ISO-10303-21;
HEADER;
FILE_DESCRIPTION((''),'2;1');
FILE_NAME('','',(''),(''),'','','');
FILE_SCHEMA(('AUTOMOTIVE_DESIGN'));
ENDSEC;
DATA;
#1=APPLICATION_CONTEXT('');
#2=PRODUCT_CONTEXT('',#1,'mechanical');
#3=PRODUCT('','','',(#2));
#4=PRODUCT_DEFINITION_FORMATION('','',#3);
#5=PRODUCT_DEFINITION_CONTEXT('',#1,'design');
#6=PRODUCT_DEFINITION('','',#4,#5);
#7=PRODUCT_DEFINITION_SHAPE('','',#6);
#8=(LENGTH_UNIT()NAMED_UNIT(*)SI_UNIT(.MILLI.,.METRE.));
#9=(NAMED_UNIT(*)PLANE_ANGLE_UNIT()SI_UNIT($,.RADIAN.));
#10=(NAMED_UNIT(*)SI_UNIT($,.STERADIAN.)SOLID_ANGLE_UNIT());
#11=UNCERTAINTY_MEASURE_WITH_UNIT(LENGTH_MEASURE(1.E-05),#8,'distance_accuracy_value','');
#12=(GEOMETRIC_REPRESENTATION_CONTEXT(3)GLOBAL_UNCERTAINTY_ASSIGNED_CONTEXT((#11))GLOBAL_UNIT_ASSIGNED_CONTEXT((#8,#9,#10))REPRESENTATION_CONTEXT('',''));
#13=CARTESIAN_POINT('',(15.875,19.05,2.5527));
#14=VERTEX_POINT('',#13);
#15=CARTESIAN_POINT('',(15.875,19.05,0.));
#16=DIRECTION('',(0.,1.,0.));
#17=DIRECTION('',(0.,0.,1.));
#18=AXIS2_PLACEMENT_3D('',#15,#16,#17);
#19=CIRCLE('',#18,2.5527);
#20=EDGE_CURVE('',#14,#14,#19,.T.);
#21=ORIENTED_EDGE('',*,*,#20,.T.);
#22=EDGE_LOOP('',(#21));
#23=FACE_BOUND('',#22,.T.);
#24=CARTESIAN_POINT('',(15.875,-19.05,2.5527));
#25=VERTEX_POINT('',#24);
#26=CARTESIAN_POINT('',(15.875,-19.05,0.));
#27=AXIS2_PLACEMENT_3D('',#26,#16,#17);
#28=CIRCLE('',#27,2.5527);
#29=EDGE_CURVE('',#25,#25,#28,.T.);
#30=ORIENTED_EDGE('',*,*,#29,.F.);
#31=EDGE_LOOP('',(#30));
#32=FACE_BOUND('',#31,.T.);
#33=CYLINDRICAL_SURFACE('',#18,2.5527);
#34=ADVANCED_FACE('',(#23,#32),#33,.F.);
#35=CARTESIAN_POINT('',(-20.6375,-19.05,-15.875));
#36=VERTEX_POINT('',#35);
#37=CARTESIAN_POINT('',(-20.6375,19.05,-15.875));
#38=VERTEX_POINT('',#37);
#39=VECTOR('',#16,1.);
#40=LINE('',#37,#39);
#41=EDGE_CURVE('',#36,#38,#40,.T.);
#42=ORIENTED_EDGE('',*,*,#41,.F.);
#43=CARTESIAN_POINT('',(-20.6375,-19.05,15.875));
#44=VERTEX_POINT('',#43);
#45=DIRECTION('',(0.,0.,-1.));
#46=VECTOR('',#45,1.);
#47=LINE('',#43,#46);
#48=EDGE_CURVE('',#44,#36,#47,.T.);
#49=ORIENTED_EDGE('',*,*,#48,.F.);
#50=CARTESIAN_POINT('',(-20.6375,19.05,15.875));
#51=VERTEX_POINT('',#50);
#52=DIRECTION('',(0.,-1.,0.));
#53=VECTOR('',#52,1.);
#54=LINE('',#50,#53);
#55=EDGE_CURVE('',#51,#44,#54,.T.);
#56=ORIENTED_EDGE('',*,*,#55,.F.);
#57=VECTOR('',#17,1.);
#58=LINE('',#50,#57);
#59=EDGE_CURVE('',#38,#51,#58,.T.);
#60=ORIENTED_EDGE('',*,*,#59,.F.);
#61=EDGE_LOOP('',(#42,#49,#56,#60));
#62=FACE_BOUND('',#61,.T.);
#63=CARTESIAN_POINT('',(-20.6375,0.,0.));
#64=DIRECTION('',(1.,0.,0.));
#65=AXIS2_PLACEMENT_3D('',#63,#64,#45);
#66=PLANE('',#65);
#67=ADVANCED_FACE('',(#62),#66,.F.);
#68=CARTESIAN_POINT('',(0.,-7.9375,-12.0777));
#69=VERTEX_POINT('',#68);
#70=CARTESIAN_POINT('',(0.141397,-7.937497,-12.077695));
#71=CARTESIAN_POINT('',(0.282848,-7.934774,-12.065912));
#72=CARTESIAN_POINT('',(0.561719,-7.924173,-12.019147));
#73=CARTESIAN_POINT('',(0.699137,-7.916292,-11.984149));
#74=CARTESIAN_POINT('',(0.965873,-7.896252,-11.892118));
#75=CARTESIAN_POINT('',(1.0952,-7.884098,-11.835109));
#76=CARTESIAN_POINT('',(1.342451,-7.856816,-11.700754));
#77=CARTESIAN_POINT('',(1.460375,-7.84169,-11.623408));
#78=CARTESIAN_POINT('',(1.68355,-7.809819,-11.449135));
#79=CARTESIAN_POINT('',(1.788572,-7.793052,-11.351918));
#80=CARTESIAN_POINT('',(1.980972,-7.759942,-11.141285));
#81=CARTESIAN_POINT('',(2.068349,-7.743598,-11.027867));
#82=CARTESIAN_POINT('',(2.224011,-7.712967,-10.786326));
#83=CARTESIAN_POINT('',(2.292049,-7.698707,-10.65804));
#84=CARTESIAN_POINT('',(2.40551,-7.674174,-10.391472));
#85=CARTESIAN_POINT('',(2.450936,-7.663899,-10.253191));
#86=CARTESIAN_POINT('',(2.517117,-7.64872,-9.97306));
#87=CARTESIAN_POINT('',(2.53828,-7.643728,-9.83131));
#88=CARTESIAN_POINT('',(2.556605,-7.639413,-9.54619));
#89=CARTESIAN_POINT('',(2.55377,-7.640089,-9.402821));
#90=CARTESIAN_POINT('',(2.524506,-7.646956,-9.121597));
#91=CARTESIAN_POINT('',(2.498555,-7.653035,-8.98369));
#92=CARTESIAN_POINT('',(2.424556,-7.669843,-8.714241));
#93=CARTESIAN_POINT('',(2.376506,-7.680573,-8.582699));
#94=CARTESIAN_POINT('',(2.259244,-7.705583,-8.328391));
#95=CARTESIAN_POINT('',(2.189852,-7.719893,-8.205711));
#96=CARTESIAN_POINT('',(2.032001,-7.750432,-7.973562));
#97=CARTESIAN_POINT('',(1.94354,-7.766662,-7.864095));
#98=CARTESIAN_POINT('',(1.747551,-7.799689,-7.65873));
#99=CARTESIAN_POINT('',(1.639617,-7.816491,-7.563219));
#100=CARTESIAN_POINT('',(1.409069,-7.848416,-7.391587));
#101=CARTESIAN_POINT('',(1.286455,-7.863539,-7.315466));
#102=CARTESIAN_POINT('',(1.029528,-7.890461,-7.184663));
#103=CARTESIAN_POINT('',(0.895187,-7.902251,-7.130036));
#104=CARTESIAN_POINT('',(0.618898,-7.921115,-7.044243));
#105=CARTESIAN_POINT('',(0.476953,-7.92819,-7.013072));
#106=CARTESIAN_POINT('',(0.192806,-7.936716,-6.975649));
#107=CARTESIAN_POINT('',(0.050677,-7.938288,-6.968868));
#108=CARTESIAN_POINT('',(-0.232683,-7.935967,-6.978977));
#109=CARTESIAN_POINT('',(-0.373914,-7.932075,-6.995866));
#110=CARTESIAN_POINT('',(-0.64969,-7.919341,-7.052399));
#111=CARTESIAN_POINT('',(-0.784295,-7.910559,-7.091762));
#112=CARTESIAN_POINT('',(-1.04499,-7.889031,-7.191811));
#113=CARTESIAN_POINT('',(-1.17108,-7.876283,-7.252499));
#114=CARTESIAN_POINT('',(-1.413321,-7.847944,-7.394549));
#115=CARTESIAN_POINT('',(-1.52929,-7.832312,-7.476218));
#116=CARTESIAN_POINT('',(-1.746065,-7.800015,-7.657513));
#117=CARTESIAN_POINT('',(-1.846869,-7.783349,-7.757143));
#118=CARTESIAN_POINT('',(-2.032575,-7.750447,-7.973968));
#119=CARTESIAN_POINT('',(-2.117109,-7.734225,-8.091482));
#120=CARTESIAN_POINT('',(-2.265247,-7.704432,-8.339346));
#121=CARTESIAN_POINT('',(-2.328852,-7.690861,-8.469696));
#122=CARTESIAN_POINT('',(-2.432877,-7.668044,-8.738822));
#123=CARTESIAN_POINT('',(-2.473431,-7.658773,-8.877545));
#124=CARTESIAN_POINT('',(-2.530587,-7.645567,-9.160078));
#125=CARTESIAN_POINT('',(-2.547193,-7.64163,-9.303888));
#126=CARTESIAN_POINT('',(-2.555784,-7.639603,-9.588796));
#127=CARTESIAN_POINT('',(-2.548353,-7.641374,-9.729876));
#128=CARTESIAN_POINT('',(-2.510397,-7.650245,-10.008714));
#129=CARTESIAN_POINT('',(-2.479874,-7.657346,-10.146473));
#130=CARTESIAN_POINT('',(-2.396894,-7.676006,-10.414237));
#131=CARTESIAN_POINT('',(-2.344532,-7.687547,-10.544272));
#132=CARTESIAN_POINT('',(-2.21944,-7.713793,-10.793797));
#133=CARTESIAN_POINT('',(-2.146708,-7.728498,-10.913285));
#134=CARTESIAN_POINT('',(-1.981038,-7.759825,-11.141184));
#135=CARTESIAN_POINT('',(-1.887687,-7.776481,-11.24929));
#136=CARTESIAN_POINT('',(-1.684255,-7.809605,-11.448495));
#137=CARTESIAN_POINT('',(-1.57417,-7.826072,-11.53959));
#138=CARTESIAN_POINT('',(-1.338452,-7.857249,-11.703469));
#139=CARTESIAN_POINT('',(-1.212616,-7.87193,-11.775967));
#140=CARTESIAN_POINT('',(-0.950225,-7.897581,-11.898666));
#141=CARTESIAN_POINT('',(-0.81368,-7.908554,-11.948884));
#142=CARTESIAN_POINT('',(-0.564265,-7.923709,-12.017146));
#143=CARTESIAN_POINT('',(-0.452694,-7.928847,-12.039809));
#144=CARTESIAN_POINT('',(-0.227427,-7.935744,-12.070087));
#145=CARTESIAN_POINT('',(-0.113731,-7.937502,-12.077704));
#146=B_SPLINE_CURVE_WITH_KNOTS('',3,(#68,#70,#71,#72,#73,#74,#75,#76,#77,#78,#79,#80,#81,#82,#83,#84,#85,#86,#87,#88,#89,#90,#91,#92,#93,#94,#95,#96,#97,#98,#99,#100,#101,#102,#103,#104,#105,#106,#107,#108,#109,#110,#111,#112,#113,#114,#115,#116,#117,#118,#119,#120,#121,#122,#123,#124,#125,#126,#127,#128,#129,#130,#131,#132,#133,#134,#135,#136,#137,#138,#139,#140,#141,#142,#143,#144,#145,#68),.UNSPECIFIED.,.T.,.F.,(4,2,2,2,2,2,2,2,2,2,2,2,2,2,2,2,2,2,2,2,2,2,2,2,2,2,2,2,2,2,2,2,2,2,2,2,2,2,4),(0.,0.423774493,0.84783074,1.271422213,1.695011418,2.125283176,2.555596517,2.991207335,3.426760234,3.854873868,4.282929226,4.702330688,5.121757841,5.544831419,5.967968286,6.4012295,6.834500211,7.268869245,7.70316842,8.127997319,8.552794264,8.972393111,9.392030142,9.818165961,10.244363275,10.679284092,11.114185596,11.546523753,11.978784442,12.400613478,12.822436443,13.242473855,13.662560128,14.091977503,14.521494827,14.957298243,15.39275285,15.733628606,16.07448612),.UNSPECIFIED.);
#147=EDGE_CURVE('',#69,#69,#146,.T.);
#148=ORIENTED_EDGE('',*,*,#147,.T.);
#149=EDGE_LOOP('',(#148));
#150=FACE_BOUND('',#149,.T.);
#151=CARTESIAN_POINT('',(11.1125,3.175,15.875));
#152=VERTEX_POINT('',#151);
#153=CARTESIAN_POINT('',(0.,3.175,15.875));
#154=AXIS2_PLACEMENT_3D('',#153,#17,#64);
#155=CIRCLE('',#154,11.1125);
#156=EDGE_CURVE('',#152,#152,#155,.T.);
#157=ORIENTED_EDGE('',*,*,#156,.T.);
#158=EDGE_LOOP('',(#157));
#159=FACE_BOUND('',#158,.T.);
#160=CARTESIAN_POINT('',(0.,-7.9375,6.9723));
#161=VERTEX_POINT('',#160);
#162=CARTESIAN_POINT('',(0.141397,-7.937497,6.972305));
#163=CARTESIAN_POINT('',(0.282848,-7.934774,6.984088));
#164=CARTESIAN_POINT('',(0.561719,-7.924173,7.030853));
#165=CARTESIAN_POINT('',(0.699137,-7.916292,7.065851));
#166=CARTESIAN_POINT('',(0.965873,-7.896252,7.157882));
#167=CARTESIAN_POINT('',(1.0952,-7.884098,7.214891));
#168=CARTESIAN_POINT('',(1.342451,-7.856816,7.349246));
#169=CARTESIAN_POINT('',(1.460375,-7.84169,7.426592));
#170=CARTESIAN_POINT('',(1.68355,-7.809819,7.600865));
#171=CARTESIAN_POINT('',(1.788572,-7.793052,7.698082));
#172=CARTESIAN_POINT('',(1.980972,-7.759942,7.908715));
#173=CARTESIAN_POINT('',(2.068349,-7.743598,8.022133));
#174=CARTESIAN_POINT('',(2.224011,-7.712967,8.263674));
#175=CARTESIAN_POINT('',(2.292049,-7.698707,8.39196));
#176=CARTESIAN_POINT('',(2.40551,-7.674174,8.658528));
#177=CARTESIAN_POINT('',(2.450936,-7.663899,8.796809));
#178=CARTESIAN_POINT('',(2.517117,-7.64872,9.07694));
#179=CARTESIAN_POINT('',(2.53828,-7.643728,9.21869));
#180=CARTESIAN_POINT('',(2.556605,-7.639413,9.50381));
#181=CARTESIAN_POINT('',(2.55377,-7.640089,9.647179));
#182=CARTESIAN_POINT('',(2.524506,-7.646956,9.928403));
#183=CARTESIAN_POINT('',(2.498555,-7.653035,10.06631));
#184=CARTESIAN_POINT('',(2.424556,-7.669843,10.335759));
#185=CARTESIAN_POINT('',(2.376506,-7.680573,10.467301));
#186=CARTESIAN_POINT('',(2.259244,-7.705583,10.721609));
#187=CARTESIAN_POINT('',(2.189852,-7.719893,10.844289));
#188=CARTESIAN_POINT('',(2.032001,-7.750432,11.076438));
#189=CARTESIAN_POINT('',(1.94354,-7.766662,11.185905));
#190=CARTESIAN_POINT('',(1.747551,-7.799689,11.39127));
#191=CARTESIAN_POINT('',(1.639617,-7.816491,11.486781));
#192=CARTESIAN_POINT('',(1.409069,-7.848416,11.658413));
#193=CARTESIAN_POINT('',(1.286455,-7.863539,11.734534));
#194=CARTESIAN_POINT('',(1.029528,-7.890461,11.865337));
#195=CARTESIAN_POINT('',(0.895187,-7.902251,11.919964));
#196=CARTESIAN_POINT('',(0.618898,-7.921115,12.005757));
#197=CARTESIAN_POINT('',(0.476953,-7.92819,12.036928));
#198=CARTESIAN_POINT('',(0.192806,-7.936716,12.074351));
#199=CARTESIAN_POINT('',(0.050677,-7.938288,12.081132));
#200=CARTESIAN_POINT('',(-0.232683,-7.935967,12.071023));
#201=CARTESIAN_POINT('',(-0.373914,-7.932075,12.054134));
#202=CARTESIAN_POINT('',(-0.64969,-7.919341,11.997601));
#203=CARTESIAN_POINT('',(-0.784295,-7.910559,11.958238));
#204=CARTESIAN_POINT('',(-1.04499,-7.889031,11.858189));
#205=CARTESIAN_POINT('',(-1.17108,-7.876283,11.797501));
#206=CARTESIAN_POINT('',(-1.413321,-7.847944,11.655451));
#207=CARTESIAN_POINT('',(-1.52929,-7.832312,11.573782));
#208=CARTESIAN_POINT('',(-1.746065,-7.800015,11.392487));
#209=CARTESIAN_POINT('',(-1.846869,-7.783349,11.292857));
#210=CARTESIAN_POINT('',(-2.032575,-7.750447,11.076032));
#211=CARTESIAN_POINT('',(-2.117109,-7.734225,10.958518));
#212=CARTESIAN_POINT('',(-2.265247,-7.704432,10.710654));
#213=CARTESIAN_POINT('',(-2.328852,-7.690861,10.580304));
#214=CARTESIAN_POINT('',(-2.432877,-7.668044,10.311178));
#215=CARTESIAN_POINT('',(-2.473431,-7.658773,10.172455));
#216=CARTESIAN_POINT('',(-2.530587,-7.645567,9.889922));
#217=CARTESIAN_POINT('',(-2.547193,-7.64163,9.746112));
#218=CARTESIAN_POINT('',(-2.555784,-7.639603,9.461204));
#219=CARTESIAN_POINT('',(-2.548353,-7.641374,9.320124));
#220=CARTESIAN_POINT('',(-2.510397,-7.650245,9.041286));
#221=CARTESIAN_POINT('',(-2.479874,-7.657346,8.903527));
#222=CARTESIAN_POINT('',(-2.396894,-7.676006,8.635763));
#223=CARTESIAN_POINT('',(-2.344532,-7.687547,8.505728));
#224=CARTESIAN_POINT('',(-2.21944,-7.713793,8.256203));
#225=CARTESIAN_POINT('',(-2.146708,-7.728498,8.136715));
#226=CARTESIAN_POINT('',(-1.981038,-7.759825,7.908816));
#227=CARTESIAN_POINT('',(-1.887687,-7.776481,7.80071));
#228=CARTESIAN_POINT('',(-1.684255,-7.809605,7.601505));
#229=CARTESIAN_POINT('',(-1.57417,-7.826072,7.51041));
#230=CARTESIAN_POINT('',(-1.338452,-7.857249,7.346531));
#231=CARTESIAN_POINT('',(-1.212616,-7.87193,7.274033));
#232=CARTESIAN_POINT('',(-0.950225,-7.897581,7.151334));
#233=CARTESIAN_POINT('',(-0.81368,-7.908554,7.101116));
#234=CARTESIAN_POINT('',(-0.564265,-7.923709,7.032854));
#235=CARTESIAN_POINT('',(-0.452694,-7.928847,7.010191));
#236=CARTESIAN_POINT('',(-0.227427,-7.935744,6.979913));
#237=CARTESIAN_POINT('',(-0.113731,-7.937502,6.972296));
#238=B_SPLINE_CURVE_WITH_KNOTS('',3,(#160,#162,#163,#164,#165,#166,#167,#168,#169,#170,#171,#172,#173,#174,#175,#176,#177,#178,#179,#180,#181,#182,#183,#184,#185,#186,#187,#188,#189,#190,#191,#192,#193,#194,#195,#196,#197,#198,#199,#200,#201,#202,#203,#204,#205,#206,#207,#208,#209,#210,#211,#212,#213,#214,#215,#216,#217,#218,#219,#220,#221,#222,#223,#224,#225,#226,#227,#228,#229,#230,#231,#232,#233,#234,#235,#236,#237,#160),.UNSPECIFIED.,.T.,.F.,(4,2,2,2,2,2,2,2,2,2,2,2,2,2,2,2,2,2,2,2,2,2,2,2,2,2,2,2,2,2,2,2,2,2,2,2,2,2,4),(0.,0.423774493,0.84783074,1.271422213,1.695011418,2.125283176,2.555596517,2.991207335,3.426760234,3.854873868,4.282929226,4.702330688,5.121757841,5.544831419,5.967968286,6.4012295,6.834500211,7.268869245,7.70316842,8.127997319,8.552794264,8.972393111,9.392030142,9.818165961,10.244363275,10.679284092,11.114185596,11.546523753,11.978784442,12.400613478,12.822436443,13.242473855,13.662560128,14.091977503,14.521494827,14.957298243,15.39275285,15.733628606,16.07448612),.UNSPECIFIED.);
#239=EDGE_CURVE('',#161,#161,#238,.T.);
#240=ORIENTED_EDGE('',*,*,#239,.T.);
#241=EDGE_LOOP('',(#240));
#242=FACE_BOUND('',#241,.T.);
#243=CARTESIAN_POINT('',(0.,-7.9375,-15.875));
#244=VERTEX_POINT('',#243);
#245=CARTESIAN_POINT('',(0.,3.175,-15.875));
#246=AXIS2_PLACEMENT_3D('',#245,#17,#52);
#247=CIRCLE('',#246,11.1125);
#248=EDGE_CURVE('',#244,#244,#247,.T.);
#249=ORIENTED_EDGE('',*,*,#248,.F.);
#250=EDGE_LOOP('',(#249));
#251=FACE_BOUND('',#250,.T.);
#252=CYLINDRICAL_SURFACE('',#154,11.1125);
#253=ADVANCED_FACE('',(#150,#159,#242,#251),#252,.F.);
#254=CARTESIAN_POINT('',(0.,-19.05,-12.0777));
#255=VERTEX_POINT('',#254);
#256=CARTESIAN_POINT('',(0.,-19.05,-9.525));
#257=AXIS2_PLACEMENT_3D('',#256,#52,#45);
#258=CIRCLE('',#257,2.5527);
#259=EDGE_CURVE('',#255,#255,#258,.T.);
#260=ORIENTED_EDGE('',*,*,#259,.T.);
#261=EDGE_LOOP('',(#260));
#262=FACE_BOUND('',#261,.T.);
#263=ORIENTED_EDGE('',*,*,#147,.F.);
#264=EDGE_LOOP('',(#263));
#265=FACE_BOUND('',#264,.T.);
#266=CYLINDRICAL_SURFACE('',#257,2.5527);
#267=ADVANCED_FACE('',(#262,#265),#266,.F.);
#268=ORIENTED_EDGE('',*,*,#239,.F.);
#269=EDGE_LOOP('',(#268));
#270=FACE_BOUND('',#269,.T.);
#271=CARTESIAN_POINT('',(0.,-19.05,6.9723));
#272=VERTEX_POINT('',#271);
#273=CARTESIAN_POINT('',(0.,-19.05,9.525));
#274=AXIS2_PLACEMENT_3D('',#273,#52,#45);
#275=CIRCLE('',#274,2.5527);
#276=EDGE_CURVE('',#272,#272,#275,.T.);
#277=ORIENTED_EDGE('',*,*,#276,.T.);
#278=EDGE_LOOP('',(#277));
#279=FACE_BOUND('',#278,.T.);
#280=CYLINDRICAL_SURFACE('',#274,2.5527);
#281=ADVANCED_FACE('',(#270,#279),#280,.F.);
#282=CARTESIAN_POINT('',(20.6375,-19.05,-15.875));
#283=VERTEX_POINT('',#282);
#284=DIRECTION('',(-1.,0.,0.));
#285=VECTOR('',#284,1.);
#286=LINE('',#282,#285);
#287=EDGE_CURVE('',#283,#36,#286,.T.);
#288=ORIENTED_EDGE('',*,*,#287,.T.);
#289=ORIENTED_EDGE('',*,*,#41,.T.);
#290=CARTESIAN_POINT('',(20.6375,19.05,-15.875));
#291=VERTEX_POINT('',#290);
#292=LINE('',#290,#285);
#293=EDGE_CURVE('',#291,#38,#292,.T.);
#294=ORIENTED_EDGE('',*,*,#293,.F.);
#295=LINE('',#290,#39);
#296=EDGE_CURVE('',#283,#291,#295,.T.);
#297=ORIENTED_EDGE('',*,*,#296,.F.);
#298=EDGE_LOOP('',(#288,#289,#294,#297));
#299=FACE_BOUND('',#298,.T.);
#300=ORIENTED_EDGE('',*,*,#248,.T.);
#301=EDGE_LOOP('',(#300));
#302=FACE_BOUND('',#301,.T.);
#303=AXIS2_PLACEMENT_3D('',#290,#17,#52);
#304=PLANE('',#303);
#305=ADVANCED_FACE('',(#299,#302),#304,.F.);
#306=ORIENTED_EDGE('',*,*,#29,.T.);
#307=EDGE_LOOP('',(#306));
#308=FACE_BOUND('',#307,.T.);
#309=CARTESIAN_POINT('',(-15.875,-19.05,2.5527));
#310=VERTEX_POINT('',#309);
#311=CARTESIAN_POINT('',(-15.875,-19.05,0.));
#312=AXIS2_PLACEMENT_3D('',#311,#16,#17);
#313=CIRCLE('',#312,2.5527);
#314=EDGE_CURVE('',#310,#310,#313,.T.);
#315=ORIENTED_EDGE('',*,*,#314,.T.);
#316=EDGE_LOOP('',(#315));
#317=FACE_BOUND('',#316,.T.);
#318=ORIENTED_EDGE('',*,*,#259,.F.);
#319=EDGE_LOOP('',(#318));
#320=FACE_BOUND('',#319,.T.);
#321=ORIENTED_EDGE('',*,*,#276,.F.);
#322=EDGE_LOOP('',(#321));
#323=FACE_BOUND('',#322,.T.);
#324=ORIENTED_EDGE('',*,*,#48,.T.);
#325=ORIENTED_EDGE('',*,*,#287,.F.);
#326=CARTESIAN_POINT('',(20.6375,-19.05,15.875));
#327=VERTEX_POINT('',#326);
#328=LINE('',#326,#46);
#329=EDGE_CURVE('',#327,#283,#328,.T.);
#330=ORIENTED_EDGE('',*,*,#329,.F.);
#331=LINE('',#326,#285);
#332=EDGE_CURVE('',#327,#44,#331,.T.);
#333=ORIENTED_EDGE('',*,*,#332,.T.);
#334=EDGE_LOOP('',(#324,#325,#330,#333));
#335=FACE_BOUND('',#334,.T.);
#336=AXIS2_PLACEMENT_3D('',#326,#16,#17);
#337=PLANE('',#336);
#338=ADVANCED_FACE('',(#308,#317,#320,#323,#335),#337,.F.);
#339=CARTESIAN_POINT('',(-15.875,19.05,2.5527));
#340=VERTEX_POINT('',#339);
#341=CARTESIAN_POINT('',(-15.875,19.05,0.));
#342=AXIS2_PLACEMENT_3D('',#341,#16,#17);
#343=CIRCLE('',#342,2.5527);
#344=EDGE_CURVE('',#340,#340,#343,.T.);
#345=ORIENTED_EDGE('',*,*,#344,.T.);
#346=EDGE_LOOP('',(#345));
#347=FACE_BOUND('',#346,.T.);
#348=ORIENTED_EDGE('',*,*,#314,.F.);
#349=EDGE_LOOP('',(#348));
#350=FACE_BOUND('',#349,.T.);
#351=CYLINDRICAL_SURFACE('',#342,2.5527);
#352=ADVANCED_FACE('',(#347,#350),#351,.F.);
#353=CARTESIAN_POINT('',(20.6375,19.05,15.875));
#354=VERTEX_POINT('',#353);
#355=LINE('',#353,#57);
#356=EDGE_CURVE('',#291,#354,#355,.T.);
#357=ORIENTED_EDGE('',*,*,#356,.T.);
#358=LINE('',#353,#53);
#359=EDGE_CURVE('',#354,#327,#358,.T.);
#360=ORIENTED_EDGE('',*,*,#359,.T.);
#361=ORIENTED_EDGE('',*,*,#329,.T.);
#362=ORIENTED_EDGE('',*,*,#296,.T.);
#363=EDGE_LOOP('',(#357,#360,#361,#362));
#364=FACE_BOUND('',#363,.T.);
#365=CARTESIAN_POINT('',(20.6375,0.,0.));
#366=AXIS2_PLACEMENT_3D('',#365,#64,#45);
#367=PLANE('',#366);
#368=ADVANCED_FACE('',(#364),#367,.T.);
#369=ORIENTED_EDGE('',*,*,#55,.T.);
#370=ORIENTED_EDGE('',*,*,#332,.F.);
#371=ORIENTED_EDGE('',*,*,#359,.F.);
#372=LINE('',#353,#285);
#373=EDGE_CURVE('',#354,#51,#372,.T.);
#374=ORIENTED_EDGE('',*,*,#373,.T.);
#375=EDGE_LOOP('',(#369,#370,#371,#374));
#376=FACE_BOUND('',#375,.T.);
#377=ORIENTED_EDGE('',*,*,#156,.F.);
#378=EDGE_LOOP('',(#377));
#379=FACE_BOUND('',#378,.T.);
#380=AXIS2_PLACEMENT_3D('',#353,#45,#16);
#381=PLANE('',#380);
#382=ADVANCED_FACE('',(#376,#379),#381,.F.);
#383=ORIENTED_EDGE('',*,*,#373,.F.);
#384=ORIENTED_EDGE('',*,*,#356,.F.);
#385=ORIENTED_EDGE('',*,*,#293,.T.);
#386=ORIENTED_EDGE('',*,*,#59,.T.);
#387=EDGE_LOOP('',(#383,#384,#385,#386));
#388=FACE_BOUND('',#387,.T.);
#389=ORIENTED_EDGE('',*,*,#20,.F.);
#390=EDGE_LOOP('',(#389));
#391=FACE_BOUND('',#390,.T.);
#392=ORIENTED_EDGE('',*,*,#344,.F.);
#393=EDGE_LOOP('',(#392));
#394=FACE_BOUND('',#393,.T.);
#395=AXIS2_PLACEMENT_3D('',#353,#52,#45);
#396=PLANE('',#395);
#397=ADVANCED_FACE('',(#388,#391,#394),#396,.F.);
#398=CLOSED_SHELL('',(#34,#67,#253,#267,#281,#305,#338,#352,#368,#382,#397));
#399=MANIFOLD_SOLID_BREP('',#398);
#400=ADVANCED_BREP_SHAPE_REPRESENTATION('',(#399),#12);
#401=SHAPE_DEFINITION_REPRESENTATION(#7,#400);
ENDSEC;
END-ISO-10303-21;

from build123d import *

# Parameters (mm, degrees)
SKETCH1_W                              = 31.75
SKETCH1_H                              = 38.1
BOSS_EXTRUDE1_DEPTH                    = 20.6375
HOLE1_D                                = 22.225
TAPPED_HOLE_FOR_10_32_HELICOIL1_D      = 5.1054
TAPPED_HOLE_FOR_10_32_HELICOIL2_REACH  = 48.147
TAPPED_HOLE_FOR_10_32_HELICOIL2_BORE_R = 2.5527


with BuildPart() as part:
    # Sketch1 → Boss-Extrude1 (new, symmetric)
    with BuildSketch(Plane(origin=(0, 0, 0), x_dir=(0, 0, -1), z_dir=(1, 0, 0))):
        Rectangle(SKETCH1_W, SKETCH1_H)
    extrude(amount=BOSS_EXTRUDE1_DEPTH, both=True)

    # Hole1 (through all)
    with Locations(Plane.XY.offset(15.875)):
        with Locations((0, 3.175)):
            Hole(HOLE1_D / 2)

    # Tapped Hole for #10-32 Helicoil1 (through all)
    with Locations(Plane(origin=(0, 19.05, 0), x_dir=(1, 0, 0), z_dir=(0, 1, 0))):
        with Locations((-15.875, 0), (15.875, 0)):
            Hole(TAPPED_HOLE_FOR_10_32_HELICOIL1_D / 2)

    # Tapped Hole for #10-32 Helicoil2 bore → Tapped Hole for #10-32 Helicoil2 (cut, up to next)
    with BuildSketch(Plane(origin=(0, -19.05, 0), x_dir=(-1, 0, 0), z_dir=(0, -1, 0)), mode=Mode.PRIVATE) as tapped_hole_for_10_32_helicoil2_sk1:
        with Locations((0, 9.525)):
            Circle(TAPPED_HOLE_FOR_10_32_HELICOIL2_BORE_R)
    tapped_hole_for_10_32_helicoil2_tool1 = extrude(tapped_hole_for_10_32_helicoil2_sk1.sketch, amount=-TAPPED_HOLE_FOR_10_32_HELICOIL2_REACH, mode=Mode.PRIVATE) & part.part
    # Tapped Hole for #10-32 Helicoil2 bore → Tapped Hole for #10-32 Helicoil2 (cut, up to next)
    with BuildSketch(Plane(origin=(0, -19.05, 0), x_dir=(-1, 0, 0), z_dir=(0, -1, 0)), mode=Mode.PRIVATE) as tapped_hole_for_10_32_helicoil2_sk2:
        with Locations((0, -9.525)):
            Circle(TAPPED_HOLE_FOR_10_32_HELICOIL2_BORE_R)
    tapped_hole_for_10_32_helicoil2_tool2 = extrude(tapped_hole_for_10_32_helicoil2_sk2.sketch, amount=-TAPPED_HOLE_FOR_10_32_HELICOIL2_REACH, mode=Mode.PRIVATE) & part.part
    add(tapped_hole_for_10_32_helicoil2_tool1.solids().sort_by_distance((0, -19.05, -9.525))[0], mode=Mode.SUBTRACT)
    add(tapped_hole_for_10_32_helicoil2_tool2.solids().sort_by_distance((0, -19.05, 9.525))[0], mode=Mode.SUBTRACT)


solid = part.part
